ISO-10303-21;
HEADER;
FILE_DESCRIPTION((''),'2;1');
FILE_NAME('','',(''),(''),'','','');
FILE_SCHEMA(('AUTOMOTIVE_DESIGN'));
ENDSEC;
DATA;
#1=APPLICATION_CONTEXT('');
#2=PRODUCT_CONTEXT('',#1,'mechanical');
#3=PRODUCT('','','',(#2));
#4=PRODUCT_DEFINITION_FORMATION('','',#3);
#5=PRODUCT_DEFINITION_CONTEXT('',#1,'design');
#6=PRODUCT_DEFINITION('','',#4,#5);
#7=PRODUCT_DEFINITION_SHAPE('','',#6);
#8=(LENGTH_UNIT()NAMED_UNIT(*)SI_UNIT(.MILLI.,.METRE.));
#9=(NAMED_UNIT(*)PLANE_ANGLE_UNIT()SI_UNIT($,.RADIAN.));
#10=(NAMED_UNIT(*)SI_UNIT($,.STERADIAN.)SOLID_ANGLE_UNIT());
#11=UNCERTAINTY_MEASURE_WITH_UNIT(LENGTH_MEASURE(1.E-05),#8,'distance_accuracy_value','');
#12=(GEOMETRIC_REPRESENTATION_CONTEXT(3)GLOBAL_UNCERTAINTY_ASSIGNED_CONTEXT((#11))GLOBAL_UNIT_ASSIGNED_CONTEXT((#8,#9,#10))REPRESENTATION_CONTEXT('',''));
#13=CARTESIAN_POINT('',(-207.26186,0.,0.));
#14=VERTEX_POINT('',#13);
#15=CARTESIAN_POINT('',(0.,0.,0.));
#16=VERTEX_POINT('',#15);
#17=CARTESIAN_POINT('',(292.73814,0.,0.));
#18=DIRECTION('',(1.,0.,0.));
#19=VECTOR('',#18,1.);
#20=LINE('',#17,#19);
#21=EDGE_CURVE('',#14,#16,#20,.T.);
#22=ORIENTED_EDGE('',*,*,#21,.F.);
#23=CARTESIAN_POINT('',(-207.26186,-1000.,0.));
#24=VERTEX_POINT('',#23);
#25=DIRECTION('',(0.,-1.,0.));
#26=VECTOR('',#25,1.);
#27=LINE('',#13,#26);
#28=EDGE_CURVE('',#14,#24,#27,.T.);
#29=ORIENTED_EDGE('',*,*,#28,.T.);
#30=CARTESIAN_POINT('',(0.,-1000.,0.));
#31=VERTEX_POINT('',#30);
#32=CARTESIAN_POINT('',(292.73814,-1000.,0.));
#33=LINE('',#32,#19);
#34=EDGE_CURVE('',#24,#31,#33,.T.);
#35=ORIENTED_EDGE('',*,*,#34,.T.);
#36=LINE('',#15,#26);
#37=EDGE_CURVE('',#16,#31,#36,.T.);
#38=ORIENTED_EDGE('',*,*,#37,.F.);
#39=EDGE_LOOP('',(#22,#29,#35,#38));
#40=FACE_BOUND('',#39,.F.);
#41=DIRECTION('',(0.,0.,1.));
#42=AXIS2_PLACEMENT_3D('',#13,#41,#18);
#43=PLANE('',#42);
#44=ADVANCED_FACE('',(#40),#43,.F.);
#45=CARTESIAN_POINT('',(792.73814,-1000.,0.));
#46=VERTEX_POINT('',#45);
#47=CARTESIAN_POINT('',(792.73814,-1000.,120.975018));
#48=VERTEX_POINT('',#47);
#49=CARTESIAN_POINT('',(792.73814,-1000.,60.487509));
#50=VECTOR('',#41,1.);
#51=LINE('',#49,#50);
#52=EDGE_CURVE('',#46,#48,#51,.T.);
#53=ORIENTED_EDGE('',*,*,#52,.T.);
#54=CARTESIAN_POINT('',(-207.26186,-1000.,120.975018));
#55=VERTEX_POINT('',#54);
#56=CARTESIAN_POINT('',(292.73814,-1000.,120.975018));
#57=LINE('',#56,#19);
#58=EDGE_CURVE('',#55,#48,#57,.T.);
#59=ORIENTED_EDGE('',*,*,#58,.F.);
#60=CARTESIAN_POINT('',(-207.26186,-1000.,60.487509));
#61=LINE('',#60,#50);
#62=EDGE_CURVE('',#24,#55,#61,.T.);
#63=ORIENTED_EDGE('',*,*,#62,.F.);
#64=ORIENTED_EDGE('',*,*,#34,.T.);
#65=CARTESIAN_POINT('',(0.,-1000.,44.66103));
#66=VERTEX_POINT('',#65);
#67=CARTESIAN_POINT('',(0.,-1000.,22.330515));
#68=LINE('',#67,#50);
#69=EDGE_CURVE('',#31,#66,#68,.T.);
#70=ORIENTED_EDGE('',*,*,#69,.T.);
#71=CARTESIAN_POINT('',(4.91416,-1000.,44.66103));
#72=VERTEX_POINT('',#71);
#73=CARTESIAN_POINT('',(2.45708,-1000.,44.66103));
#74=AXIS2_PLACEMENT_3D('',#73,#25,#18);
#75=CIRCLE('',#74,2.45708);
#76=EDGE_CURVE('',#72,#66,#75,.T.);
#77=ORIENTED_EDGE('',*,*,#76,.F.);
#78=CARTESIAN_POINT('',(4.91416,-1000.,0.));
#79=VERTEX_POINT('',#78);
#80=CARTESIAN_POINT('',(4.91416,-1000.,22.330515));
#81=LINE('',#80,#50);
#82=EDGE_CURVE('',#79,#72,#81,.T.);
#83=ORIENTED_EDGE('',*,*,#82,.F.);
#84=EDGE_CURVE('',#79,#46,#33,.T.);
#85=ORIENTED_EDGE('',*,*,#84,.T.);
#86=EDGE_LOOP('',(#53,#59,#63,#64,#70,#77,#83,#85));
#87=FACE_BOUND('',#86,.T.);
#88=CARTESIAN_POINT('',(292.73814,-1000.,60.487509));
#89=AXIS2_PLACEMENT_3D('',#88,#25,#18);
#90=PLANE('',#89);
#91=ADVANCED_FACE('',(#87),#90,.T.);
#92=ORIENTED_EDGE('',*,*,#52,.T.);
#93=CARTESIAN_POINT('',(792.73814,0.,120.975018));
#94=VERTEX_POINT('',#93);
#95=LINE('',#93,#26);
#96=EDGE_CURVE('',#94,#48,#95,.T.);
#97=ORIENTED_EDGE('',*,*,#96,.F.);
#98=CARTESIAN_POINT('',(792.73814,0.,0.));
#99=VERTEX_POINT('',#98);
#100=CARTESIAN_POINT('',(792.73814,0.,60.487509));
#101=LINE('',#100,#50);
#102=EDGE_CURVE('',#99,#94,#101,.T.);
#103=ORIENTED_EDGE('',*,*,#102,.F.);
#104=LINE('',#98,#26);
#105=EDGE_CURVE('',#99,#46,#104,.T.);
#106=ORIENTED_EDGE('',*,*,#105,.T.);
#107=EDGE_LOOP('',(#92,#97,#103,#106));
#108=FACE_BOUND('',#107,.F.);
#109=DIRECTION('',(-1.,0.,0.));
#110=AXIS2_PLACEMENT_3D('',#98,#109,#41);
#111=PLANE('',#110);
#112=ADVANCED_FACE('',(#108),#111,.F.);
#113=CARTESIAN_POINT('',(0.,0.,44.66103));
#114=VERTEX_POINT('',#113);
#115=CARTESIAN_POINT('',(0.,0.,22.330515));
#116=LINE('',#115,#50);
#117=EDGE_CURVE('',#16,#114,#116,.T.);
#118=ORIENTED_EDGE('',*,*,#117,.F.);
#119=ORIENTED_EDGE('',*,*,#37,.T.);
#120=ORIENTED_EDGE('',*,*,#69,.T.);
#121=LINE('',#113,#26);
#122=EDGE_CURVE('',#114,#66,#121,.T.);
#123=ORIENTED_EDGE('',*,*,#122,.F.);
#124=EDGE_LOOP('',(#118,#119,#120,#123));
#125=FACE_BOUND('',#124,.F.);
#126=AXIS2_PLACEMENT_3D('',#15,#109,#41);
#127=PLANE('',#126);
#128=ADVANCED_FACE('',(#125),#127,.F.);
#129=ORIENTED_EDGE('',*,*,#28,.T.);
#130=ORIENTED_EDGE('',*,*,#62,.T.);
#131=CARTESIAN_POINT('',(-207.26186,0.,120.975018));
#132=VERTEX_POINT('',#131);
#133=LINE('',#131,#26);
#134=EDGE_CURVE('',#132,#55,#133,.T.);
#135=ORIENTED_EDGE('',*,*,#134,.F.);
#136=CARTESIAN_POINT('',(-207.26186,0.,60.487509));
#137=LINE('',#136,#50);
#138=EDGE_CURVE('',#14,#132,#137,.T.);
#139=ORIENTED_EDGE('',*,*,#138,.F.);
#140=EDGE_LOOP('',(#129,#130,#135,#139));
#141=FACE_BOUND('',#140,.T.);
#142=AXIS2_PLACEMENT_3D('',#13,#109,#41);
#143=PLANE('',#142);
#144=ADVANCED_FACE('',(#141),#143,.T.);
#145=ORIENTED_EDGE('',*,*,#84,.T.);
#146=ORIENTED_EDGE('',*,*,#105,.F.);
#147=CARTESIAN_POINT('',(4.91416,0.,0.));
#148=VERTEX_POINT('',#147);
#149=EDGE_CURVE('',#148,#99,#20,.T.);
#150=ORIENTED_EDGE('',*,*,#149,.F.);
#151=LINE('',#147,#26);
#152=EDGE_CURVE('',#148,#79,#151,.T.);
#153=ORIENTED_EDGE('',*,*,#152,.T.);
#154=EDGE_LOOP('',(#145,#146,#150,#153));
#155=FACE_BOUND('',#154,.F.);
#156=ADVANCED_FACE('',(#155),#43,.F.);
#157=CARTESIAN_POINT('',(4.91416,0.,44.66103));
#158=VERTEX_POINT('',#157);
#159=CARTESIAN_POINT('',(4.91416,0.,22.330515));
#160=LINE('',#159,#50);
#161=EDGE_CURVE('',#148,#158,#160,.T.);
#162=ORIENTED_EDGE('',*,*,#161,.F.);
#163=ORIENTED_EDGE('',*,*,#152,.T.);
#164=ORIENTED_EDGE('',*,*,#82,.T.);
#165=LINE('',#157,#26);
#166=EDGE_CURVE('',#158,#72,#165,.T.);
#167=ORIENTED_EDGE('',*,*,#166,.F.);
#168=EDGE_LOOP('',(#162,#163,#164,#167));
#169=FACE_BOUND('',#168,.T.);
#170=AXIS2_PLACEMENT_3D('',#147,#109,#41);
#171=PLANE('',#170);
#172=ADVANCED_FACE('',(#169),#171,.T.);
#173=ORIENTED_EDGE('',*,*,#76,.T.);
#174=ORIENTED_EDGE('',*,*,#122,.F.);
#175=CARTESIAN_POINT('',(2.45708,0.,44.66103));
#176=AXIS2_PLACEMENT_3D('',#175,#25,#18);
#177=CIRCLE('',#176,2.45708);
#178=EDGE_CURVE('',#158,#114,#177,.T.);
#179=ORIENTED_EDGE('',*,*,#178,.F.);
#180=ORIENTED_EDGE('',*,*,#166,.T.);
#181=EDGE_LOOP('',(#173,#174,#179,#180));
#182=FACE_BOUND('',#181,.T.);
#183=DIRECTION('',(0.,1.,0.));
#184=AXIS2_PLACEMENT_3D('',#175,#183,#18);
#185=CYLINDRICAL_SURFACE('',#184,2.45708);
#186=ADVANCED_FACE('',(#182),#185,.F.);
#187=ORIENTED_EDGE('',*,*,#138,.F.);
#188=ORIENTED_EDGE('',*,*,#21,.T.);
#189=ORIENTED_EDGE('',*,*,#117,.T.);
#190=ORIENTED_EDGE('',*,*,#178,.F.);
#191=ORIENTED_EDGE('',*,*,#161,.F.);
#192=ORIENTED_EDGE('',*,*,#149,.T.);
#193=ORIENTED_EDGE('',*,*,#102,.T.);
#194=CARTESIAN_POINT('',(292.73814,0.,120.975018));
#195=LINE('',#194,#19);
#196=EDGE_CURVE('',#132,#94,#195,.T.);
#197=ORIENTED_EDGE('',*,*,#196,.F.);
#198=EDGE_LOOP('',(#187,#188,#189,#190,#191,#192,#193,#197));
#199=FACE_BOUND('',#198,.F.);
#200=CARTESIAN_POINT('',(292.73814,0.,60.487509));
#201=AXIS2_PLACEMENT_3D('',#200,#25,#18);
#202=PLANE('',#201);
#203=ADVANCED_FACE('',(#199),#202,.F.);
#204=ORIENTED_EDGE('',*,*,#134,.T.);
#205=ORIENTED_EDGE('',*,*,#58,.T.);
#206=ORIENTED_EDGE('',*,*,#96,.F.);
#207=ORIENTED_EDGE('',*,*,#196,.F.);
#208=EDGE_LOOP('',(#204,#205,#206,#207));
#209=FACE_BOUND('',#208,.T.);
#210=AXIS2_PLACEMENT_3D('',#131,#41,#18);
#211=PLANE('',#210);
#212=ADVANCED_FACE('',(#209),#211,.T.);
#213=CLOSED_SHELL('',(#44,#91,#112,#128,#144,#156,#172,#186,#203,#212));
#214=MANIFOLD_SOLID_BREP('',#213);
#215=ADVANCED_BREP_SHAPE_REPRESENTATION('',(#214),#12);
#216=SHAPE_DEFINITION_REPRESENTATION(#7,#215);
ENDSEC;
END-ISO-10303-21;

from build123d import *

# Parameters (mm, degrees)
F0_W     = 1000
F0_H     = 120.975018
F2_DEPTH = 1000
F1_W     = 4.91416
F1_H     = 44.66103
F3_DEPTH = 1000


with BuildPart() as f2:
    # F0 (on Front) → F2 (new body)
    with BuildSketch(Plane.XZ):
        with Locations((292.73814, 60.487509)):
            Rectangle(F0_W, F0_H)
    extrude(amount=F2_DEPTH)

    # F1 (on Front) → F3 (cut)
    with BuildSketch(Plane.XZ):
        with Locations((2.45708, 22.330515)):
            Rectangle(F1_W, F1_H)
        with BuildLine():
            Line((0, 44.66103), (4.91416, 44.66103))
            ThreePointArc((4.91416, 44.66103), (2.45708, 47.11811), (0, 44.66103))
        make_face()
    extrude(amount=F3_DEPTH, mode=Mode.SUBTRACT)


solid = f2.part
